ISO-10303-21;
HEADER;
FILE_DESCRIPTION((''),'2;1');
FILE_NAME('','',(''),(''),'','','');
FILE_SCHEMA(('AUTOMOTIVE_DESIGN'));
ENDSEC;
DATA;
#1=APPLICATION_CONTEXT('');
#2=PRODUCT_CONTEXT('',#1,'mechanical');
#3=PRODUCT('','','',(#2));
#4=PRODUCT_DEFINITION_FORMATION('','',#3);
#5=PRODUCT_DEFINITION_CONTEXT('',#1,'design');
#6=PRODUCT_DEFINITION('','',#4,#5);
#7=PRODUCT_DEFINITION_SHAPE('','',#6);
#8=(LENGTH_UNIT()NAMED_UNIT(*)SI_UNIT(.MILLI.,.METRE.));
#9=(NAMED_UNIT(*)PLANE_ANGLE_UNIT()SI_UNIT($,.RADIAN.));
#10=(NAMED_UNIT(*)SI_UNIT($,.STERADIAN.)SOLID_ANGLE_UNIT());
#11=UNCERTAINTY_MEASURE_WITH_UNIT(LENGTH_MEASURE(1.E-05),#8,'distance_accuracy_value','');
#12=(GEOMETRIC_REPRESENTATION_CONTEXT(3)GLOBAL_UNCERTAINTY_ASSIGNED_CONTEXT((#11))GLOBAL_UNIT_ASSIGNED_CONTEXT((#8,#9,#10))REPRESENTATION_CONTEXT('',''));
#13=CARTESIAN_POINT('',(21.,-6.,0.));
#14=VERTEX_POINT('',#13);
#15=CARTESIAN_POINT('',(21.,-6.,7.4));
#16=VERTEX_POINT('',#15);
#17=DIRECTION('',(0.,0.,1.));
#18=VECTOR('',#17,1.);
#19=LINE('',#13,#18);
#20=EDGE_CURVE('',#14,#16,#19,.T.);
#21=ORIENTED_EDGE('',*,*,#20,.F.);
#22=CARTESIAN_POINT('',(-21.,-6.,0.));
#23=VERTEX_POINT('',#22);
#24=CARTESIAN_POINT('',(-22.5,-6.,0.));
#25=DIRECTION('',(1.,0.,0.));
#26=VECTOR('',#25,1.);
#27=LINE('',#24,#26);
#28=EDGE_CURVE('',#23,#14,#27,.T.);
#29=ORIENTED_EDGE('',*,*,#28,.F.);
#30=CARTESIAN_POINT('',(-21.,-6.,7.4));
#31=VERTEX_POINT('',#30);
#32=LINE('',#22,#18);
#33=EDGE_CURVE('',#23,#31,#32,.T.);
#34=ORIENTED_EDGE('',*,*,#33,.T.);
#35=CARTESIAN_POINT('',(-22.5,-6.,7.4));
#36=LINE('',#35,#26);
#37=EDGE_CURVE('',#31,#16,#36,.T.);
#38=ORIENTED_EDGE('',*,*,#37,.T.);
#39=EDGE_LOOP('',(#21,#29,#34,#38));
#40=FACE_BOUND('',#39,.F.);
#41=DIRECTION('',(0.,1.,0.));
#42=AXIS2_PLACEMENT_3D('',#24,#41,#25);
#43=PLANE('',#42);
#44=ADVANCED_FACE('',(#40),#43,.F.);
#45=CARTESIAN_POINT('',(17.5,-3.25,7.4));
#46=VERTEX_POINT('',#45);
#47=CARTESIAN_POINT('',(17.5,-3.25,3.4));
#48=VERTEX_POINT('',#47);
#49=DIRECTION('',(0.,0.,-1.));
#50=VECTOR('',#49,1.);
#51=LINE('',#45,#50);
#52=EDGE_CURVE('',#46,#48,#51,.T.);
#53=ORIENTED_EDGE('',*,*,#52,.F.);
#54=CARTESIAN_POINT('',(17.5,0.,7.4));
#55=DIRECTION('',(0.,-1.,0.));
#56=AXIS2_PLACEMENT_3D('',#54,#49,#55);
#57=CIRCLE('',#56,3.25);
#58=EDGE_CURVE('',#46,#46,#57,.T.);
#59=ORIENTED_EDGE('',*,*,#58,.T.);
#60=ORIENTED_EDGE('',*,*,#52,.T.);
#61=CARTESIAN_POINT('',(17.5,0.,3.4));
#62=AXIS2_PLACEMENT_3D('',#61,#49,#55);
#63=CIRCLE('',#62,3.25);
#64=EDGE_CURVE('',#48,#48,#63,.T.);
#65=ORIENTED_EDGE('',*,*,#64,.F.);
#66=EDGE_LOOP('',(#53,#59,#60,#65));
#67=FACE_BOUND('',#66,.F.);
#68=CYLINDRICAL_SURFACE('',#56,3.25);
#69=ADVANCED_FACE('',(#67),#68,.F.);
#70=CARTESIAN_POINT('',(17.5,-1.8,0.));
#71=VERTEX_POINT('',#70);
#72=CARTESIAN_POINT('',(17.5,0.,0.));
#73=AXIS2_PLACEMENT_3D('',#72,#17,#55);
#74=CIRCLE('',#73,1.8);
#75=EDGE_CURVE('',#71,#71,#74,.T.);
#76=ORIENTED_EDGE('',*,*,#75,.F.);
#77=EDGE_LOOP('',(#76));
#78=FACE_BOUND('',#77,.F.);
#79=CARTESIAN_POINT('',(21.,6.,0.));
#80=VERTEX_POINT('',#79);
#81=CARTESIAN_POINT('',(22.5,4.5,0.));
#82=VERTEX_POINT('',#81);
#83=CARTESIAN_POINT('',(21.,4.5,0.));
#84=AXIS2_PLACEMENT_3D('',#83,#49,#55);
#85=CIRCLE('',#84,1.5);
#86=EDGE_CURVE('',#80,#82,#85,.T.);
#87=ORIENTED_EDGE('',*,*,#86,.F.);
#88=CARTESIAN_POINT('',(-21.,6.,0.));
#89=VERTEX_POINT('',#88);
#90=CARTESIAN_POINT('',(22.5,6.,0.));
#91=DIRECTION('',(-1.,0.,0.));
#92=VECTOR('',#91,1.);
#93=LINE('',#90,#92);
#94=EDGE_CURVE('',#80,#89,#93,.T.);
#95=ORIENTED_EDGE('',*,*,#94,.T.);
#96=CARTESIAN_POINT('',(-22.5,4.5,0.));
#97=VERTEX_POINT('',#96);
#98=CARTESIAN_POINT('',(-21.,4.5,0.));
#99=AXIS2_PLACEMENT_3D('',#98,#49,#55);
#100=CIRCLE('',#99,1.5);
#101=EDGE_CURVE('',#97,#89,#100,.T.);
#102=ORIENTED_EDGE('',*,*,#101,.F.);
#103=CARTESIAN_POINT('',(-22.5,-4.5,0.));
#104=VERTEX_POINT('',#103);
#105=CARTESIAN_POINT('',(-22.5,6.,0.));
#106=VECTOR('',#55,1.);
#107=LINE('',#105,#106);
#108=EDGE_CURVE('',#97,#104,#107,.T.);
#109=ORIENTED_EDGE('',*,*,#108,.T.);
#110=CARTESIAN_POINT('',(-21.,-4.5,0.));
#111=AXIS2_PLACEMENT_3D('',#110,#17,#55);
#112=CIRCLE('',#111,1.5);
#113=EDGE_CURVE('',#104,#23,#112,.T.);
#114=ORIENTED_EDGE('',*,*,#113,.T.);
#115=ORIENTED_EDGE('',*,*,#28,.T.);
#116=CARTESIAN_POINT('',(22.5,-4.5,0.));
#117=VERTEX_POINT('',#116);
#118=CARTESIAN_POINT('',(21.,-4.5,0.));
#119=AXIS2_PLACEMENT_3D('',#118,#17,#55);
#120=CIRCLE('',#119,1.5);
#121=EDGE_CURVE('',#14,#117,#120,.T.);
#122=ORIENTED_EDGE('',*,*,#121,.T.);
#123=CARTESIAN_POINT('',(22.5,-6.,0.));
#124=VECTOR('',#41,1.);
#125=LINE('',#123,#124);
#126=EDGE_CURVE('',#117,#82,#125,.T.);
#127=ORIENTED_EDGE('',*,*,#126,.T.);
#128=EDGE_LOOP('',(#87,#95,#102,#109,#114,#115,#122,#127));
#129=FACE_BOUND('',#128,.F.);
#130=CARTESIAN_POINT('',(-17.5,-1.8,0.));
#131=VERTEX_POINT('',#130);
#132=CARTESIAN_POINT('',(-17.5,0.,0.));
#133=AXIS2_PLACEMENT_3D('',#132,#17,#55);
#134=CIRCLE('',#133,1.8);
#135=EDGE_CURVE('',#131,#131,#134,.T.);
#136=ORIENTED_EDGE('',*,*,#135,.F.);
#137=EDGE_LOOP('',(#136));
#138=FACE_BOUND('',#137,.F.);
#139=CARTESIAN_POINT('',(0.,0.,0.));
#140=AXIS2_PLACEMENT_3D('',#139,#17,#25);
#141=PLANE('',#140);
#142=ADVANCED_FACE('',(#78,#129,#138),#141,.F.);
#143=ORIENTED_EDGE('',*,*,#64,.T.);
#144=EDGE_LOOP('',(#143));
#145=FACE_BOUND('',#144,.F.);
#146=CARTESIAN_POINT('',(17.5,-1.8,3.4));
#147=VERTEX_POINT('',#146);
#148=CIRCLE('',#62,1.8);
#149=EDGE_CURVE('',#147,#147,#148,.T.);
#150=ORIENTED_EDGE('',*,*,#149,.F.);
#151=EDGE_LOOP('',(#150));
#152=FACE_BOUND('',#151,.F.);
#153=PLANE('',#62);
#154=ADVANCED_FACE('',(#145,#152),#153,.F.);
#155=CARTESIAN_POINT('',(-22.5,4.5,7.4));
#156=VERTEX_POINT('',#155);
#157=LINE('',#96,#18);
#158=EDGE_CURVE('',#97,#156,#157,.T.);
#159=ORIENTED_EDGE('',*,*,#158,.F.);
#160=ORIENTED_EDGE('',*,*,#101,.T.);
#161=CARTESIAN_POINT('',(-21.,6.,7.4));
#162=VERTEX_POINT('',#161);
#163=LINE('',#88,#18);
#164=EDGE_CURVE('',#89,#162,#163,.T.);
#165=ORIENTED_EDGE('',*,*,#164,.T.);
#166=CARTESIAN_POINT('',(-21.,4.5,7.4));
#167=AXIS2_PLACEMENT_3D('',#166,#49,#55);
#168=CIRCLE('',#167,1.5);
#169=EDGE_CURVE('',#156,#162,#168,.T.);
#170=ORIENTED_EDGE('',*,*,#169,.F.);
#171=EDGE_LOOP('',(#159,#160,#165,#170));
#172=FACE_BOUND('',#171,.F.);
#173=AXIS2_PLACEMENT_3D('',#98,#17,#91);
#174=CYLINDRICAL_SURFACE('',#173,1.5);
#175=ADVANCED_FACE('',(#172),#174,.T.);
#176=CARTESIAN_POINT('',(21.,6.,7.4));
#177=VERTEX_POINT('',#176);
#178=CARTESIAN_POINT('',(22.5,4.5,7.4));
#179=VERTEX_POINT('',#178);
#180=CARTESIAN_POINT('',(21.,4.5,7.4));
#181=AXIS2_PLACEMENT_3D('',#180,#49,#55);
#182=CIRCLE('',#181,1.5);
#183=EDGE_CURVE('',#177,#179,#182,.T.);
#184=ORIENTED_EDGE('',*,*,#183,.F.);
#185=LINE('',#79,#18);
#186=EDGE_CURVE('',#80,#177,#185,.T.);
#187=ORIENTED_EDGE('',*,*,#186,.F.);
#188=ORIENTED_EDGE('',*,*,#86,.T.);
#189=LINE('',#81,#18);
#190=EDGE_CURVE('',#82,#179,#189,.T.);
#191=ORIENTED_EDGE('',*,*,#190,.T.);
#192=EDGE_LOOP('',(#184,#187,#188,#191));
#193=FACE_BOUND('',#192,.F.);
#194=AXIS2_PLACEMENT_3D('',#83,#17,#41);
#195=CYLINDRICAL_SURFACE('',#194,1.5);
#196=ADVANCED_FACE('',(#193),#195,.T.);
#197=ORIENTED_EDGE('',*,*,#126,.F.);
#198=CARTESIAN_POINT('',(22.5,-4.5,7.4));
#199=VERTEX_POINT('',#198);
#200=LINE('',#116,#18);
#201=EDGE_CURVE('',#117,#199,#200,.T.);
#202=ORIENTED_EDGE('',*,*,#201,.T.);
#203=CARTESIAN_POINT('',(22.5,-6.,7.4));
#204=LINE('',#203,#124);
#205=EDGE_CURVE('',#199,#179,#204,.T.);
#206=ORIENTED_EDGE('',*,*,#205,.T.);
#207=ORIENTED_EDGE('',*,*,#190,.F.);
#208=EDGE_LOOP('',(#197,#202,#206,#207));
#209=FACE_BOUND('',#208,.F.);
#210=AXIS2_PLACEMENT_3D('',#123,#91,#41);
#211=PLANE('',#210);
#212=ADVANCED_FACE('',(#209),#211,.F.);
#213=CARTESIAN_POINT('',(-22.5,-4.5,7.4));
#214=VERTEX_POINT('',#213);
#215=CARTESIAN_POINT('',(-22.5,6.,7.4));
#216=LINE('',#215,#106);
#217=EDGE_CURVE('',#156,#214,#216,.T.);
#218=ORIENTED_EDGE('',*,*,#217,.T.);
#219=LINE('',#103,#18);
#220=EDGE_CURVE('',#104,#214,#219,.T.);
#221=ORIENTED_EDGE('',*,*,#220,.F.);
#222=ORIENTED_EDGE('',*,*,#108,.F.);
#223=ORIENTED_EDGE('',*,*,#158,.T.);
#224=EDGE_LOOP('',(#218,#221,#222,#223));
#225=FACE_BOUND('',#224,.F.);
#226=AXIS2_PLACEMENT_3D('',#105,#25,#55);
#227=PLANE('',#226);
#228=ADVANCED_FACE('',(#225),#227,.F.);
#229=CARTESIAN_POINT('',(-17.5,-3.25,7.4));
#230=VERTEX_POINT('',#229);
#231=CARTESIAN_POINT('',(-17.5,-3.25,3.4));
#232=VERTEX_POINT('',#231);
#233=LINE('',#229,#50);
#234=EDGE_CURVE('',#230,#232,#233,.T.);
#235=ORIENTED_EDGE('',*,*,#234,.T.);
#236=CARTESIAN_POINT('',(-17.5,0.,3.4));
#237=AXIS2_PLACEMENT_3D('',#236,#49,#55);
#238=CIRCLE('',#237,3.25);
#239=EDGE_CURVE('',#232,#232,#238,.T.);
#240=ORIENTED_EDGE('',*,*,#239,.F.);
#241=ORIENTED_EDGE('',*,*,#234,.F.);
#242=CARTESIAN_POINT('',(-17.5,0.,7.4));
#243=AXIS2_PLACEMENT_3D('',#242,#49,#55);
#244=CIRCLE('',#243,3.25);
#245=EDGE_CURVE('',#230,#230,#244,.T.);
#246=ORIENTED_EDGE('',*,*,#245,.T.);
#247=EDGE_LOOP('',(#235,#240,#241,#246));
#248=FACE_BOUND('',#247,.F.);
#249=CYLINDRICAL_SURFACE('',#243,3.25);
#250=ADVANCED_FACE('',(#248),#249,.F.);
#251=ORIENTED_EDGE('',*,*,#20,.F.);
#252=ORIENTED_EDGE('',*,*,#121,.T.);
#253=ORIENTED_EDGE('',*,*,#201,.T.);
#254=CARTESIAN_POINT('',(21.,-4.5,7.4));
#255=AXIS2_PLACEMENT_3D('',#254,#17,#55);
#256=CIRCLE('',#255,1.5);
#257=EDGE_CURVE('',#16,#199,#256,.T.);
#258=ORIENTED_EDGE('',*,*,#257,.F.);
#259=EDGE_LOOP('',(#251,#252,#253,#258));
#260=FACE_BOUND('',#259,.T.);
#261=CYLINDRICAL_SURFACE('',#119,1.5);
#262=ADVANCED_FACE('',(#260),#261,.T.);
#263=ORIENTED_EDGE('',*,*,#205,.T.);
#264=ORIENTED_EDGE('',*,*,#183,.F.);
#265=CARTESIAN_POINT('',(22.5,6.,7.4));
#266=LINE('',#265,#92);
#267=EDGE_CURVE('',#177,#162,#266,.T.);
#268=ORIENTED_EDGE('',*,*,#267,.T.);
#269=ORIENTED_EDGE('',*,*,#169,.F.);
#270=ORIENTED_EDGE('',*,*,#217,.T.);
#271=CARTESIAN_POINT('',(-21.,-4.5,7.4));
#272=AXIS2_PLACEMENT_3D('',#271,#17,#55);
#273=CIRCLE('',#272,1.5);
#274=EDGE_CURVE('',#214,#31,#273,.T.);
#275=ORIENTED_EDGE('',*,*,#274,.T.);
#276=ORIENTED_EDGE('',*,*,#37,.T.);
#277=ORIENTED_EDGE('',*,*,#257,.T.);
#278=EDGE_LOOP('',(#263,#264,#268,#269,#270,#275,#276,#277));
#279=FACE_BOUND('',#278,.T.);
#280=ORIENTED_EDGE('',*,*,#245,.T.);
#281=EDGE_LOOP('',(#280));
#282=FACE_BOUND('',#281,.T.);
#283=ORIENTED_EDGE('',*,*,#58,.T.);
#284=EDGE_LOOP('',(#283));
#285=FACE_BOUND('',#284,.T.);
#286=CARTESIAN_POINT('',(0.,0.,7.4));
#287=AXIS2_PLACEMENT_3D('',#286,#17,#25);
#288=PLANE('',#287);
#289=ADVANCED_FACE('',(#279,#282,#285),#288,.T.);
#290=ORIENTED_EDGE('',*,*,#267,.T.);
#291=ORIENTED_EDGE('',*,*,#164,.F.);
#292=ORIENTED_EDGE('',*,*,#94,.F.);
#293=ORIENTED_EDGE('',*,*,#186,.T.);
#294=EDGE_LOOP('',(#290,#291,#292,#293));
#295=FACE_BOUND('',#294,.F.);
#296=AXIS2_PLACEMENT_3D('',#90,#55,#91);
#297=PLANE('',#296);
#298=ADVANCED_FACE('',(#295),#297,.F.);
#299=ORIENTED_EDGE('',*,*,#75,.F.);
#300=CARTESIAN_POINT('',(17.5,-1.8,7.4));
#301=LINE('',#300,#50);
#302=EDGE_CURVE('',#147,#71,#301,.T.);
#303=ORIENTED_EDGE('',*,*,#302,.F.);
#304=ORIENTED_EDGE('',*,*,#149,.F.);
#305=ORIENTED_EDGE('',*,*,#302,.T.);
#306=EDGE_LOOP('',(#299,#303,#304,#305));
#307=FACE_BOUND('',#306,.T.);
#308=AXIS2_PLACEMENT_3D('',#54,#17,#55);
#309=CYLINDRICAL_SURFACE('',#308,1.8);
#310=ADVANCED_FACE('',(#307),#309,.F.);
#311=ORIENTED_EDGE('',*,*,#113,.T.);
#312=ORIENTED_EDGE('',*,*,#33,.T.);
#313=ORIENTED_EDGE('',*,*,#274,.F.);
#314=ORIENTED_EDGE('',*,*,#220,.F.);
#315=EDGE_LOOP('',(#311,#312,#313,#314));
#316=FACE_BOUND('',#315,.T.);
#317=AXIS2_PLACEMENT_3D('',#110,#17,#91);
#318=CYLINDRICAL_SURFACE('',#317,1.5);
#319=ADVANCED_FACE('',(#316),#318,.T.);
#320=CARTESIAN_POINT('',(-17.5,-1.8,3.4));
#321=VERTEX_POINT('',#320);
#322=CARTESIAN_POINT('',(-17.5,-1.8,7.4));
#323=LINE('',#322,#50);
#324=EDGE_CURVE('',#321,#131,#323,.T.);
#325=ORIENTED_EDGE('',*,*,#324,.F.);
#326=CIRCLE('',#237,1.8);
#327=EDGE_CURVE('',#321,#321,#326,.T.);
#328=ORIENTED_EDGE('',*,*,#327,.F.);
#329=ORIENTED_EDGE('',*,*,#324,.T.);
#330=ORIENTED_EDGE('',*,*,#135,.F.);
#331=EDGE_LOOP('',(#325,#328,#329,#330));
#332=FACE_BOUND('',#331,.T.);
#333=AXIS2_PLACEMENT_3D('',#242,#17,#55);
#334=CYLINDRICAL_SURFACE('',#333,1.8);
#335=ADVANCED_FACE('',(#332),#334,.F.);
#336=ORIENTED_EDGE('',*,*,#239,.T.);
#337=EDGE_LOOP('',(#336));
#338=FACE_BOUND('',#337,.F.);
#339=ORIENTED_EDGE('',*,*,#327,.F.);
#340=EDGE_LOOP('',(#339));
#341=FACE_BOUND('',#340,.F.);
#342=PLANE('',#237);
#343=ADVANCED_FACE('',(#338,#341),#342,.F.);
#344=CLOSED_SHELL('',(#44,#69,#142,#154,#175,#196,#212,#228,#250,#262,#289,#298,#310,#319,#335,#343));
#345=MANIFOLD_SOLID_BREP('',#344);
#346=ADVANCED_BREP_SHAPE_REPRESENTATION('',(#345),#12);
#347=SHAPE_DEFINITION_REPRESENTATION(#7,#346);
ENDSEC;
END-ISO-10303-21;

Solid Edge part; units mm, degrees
sketch "Sketch1" plane through (0, 0, 0) normal (0, 0, 1) x (1, 0, 0)
  line L0 (-22.5, 6) -> (-22.5, -6)
  line L1 (-22.5, -6) -> (22.5, -6)
  line L2 (22.5, -6) -> (22.5, 6)
  line L3 (22.5, 6) -> (-22.5, 6)
extrude "Protrusion1" add sketch "Sketch1" along normal blind 7.4
hole "Hole_1" at (17.5, 0, 7.4) direction (0, 0, -1) diameter 3.6 end through all counterbore diameter 6.5 counterbore depth 4
hole "Hole1" at (-17.5, 0, 7.4) direction (0, 0, -1) diameter 3.6 end through all counterbore diameter 6.5 counterbore depth 4
fillet "Round_1" radius 1.5 4 edges at (-22.5, -6, 3.7) (22.5, -6, 3.7) (22.5, 6, 3.7) (-22.5, 6, 3.7)
properties material "Acrylic, high impact grade"
